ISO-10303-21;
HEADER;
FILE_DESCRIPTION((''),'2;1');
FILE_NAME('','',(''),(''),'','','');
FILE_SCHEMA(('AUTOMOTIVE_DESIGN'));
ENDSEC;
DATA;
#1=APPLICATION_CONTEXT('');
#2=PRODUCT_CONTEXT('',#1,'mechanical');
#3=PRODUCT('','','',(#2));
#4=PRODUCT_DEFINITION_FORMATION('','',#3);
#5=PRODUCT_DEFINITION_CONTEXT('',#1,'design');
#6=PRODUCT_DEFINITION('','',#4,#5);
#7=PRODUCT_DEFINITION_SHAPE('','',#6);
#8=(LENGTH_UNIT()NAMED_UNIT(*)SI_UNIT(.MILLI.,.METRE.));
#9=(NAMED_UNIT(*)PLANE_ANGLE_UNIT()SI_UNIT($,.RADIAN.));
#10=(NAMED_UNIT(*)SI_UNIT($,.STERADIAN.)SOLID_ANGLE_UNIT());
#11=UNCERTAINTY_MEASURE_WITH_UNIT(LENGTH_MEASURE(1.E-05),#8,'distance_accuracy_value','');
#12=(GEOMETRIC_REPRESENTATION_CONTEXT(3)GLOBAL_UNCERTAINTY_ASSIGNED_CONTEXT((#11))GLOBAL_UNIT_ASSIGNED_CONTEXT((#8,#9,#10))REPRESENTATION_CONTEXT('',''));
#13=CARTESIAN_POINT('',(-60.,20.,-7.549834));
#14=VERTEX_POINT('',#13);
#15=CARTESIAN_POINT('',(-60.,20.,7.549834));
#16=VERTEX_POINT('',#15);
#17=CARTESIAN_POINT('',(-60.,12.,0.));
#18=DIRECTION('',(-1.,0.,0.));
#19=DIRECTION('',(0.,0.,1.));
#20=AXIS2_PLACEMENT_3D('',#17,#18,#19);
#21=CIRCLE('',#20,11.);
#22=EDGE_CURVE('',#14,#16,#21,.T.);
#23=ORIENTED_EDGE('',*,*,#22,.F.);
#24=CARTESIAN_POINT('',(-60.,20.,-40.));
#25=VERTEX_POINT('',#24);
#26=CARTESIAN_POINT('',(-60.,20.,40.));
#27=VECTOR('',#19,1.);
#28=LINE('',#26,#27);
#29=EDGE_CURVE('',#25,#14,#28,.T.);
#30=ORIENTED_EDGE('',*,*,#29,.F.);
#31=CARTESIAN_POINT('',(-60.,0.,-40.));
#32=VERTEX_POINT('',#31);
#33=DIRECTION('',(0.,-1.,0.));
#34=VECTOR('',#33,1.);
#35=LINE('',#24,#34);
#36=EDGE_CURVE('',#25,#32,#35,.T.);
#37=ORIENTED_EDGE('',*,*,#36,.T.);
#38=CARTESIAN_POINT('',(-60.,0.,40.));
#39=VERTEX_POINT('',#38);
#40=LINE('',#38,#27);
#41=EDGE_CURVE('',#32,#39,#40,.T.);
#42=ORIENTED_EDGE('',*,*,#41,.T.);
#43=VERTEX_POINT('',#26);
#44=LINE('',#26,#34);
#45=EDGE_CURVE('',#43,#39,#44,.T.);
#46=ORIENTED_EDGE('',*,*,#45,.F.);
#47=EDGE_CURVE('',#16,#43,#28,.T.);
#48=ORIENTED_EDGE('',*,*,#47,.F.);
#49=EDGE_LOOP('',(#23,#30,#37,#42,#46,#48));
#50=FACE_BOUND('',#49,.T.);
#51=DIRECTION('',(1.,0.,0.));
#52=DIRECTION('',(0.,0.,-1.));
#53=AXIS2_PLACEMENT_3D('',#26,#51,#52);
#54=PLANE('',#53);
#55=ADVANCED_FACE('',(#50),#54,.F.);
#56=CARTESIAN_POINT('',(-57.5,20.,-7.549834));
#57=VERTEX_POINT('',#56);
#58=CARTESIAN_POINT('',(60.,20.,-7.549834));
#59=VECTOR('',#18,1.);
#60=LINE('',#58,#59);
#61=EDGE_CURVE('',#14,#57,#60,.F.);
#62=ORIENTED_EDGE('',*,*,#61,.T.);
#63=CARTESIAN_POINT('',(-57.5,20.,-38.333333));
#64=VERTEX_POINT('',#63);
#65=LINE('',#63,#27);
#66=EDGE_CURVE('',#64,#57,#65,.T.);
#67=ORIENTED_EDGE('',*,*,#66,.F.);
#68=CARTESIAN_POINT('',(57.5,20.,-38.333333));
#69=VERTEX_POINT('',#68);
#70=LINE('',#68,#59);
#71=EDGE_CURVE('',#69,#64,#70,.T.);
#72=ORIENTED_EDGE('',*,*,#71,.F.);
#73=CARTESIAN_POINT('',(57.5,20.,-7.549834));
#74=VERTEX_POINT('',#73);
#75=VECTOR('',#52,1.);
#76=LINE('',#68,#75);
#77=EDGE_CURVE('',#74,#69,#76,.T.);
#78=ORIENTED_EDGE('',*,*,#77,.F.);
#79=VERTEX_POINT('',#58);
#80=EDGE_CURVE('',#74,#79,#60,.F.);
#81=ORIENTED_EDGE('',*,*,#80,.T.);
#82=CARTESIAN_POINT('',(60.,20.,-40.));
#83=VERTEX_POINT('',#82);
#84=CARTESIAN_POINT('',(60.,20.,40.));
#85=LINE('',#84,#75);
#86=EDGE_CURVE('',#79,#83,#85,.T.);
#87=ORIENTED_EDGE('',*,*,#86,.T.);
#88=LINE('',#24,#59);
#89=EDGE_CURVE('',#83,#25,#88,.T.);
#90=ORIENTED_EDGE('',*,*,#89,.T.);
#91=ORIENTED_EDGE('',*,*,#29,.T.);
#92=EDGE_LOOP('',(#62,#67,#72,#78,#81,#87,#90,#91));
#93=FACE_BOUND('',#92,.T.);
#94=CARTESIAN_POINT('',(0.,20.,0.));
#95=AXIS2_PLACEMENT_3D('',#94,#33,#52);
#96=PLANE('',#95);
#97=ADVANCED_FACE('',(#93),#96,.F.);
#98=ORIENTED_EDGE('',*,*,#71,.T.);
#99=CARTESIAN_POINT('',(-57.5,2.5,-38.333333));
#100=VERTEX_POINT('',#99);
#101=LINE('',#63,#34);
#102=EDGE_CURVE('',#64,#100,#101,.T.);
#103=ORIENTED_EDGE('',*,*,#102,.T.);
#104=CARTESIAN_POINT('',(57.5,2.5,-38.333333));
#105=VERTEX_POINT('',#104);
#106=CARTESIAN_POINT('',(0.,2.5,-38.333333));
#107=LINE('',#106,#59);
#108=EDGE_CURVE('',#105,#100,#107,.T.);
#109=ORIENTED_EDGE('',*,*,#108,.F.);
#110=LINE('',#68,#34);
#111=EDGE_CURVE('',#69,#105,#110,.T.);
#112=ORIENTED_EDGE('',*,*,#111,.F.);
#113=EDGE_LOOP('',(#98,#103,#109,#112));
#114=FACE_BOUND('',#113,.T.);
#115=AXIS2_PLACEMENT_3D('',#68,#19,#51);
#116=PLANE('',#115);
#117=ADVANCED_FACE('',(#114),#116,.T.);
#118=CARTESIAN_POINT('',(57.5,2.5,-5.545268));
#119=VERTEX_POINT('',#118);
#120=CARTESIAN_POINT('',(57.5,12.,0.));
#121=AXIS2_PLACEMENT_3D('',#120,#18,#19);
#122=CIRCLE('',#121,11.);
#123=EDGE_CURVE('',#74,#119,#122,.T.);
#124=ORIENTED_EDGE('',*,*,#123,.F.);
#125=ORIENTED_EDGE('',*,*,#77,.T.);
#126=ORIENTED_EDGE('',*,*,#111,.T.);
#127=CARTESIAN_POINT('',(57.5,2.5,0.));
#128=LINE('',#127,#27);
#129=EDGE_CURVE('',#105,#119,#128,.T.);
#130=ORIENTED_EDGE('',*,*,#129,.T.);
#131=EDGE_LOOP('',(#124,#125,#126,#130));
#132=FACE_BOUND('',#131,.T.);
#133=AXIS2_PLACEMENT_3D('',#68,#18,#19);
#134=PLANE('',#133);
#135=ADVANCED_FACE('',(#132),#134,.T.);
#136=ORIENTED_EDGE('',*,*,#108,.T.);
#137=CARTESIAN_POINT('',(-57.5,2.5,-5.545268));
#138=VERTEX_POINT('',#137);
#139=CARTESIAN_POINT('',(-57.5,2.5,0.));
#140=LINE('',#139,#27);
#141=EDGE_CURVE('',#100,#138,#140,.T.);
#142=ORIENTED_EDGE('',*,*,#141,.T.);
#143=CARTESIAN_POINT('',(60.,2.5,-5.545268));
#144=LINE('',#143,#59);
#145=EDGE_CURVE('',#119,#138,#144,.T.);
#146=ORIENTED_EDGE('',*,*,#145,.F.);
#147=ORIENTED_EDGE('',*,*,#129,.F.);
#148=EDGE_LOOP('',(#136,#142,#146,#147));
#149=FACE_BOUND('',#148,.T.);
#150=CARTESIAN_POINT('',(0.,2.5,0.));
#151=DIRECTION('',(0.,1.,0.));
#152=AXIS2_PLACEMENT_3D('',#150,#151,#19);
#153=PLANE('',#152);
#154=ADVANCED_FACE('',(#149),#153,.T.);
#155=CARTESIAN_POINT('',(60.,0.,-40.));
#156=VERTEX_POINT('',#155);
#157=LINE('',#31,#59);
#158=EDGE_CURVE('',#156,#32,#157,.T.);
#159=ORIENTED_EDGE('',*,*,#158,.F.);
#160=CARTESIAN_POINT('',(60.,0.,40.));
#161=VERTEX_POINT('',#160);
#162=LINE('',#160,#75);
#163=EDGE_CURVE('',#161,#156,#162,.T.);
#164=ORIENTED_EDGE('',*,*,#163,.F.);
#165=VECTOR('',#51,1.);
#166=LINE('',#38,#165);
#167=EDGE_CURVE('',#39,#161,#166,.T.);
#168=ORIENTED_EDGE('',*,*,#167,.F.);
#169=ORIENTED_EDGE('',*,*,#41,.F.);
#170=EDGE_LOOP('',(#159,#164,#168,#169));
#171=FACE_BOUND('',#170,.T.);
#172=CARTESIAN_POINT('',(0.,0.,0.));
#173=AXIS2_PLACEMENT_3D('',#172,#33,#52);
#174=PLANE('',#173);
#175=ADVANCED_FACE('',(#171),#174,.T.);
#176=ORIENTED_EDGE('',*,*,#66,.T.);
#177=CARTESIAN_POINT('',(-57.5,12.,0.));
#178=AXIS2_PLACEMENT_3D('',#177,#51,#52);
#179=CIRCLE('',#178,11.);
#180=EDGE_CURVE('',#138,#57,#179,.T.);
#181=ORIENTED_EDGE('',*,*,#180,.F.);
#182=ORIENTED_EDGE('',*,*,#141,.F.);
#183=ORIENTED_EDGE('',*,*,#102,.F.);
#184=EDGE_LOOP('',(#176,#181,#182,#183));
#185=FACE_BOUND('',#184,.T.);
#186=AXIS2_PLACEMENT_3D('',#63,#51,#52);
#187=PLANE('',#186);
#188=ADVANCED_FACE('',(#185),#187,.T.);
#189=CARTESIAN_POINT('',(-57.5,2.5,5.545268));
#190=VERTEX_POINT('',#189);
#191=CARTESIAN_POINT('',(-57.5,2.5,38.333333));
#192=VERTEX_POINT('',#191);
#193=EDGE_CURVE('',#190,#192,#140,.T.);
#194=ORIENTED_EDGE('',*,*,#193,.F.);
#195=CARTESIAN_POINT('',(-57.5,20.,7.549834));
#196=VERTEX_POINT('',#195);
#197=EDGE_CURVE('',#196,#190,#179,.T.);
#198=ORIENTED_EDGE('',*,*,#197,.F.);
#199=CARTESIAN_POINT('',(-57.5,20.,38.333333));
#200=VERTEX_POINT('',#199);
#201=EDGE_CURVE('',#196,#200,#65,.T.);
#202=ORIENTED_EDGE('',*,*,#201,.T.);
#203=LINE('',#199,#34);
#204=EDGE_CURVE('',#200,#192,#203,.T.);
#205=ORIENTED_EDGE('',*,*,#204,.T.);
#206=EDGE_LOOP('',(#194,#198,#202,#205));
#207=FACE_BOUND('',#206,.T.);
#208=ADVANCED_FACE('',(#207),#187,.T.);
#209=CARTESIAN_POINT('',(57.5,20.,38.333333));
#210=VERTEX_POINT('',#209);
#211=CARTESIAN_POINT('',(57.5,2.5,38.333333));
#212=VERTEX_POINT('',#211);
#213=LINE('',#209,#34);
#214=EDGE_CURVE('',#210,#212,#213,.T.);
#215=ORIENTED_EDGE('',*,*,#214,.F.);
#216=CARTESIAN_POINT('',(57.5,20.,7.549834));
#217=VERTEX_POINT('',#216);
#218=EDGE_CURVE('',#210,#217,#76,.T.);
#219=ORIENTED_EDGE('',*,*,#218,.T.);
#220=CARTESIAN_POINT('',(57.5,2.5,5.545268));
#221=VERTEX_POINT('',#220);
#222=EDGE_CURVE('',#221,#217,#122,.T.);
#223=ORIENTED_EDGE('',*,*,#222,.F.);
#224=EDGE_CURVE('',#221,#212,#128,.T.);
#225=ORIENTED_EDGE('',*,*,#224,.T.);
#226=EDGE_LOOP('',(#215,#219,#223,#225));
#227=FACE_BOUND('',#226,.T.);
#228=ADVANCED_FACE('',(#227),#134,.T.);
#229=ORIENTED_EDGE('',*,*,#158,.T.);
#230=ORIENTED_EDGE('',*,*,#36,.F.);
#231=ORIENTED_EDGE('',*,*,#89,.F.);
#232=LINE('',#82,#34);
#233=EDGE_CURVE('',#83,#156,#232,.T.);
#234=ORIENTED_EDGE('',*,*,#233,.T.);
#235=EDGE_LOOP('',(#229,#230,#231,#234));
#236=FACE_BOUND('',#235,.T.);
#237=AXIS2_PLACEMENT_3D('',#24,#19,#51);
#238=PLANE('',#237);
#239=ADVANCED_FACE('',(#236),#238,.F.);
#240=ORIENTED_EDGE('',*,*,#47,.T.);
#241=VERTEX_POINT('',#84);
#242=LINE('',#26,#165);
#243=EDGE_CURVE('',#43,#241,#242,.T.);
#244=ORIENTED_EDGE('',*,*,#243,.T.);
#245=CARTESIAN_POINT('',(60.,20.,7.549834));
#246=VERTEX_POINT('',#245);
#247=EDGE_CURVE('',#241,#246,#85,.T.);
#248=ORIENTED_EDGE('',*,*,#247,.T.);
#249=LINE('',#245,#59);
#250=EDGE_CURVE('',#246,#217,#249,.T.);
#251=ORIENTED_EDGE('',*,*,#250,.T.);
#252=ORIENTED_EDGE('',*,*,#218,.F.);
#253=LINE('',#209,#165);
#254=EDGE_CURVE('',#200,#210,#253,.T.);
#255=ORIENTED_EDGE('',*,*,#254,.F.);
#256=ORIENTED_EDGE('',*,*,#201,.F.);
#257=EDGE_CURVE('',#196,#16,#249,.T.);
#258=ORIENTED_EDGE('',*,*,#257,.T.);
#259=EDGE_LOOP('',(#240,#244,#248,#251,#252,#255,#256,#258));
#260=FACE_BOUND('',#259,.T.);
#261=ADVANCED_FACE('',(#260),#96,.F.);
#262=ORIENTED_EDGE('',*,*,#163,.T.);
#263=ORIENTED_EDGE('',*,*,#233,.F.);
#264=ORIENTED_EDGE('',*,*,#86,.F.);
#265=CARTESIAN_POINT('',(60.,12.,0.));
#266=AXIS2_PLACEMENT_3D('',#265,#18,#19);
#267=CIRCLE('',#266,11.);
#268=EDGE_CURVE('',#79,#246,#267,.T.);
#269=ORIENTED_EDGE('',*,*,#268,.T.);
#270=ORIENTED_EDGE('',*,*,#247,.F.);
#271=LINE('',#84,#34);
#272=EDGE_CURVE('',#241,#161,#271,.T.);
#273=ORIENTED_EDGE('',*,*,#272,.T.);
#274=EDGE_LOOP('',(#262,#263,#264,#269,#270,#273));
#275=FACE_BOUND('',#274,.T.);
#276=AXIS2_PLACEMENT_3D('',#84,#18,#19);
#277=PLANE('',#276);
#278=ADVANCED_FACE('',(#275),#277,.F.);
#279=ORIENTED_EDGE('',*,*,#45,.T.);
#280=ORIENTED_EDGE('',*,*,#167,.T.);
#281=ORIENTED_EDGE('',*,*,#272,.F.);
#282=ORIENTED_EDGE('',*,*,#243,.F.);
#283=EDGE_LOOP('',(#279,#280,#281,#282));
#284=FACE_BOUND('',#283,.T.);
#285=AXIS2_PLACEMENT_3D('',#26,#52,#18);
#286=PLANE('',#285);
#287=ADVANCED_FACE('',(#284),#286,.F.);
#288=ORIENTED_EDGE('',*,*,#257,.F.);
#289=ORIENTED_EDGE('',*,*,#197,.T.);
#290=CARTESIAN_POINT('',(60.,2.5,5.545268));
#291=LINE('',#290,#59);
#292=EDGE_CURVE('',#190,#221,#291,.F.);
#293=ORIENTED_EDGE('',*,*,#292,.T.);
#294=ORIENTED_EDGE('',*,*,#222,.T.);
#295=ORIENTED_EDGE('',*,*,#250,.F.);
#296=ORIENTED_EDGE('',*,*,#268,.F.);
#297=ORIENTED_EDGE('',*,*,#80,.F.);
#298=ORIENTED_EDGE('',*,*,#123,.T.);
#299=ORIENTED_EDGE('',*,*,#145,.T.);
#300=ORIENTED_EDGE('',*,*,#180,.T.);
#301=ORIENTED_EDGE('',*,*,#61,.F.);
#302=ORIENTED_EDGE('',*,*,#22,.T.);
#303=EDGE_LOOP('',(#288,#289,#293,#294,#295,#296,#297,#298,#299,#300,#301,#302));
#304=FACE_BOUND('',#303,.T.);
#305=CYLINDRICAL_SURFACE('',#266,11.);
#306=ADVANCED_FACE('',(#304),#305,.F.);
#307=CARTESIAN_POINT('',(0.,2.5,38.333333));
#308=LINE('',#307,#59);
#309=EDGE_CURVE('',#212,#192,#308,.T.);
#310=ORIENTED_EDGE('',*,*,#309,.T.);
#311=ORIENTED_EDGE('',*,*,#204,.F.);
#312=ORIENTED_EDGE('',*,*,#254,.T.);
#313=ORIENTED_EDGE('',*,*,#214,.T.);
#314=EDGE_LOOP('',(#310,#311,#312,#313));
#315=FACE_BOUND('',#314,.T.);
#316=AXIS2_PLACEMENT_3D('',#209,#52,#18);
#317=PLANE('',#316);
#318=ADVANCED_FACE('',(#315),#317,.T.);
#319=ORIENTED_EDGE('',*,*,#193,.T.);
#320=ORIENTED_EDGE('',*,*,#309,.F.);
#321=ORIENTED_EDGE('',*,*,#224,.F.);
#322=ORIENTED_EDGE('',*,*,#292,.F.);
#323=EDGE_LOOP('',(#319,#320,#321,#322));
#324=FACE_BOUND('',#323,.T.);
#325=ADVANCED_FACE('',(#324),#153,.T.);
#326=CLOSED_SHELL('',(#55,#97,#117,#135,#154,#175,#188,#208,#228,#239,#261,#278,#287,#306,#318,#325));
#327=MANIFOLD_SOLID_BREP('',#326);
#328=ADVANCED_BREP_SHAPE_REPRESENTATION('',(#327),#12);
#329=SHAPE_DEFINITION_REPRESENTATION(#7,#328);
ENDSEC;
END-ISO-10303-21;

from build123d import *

# Parameters (mm, degrees)
SKETCH1_W           = 120
SKETCH1_H           = 80
SKETCH1_W_2         = 115
SKETCH1_H_2         = 76.666666666
BOSS_EXTRUDE1_DEPTH = 20
SKETCH1_3_W         = 115
SKETCH1_3_H         = 76.666666666
BOSS_EXTRUDE2_DEPTH = 2.5
SKETCH2_R           = 11
CUT_EXTRUDE1_DEPTH  = 129.062484749


with BuildPart() as part:
    # Sketch1 → Boss-Extrude1 (new body)
    with BuildSketch(Plane(origin=(0, 0, 0), x_dir=(1, 0, 0), z_dir=(0, 1, 0))):
        Rectangle(SKETCH1_W, SKETCH1_H)
        Rectangle(SKETCH1_W_2, SKETCH1_H_2, mode=Mode.SUBTRACT)
    extrude(amount=BOSS_EXTRUDE1_DEPTH)

    # Sketch1<3> → Boss-Extrude2 (add)
    with BuildSketch(Plane(origin=(0, 0, 0), x_dir=(1, 0, 0), z_dir=(0, 1, 0))):
        Rectangle(SKETCH1_3_W, SKETCH1_3_H)
    extrude(amount=BOSS_EXTRUDE2_DEPTH)

    # Sketch2 → Cut-Extrude1 (cut, through all)
    with BuildSketch(Plane.ZY.offset(60)):
        with Locations((0, 12)):
            Circle(SKETCH2_R)
    extrude(amount=-CUT_EXTRUDE1_DEPTH, mode=Mode.SUBTRACT)


solid = part.part
